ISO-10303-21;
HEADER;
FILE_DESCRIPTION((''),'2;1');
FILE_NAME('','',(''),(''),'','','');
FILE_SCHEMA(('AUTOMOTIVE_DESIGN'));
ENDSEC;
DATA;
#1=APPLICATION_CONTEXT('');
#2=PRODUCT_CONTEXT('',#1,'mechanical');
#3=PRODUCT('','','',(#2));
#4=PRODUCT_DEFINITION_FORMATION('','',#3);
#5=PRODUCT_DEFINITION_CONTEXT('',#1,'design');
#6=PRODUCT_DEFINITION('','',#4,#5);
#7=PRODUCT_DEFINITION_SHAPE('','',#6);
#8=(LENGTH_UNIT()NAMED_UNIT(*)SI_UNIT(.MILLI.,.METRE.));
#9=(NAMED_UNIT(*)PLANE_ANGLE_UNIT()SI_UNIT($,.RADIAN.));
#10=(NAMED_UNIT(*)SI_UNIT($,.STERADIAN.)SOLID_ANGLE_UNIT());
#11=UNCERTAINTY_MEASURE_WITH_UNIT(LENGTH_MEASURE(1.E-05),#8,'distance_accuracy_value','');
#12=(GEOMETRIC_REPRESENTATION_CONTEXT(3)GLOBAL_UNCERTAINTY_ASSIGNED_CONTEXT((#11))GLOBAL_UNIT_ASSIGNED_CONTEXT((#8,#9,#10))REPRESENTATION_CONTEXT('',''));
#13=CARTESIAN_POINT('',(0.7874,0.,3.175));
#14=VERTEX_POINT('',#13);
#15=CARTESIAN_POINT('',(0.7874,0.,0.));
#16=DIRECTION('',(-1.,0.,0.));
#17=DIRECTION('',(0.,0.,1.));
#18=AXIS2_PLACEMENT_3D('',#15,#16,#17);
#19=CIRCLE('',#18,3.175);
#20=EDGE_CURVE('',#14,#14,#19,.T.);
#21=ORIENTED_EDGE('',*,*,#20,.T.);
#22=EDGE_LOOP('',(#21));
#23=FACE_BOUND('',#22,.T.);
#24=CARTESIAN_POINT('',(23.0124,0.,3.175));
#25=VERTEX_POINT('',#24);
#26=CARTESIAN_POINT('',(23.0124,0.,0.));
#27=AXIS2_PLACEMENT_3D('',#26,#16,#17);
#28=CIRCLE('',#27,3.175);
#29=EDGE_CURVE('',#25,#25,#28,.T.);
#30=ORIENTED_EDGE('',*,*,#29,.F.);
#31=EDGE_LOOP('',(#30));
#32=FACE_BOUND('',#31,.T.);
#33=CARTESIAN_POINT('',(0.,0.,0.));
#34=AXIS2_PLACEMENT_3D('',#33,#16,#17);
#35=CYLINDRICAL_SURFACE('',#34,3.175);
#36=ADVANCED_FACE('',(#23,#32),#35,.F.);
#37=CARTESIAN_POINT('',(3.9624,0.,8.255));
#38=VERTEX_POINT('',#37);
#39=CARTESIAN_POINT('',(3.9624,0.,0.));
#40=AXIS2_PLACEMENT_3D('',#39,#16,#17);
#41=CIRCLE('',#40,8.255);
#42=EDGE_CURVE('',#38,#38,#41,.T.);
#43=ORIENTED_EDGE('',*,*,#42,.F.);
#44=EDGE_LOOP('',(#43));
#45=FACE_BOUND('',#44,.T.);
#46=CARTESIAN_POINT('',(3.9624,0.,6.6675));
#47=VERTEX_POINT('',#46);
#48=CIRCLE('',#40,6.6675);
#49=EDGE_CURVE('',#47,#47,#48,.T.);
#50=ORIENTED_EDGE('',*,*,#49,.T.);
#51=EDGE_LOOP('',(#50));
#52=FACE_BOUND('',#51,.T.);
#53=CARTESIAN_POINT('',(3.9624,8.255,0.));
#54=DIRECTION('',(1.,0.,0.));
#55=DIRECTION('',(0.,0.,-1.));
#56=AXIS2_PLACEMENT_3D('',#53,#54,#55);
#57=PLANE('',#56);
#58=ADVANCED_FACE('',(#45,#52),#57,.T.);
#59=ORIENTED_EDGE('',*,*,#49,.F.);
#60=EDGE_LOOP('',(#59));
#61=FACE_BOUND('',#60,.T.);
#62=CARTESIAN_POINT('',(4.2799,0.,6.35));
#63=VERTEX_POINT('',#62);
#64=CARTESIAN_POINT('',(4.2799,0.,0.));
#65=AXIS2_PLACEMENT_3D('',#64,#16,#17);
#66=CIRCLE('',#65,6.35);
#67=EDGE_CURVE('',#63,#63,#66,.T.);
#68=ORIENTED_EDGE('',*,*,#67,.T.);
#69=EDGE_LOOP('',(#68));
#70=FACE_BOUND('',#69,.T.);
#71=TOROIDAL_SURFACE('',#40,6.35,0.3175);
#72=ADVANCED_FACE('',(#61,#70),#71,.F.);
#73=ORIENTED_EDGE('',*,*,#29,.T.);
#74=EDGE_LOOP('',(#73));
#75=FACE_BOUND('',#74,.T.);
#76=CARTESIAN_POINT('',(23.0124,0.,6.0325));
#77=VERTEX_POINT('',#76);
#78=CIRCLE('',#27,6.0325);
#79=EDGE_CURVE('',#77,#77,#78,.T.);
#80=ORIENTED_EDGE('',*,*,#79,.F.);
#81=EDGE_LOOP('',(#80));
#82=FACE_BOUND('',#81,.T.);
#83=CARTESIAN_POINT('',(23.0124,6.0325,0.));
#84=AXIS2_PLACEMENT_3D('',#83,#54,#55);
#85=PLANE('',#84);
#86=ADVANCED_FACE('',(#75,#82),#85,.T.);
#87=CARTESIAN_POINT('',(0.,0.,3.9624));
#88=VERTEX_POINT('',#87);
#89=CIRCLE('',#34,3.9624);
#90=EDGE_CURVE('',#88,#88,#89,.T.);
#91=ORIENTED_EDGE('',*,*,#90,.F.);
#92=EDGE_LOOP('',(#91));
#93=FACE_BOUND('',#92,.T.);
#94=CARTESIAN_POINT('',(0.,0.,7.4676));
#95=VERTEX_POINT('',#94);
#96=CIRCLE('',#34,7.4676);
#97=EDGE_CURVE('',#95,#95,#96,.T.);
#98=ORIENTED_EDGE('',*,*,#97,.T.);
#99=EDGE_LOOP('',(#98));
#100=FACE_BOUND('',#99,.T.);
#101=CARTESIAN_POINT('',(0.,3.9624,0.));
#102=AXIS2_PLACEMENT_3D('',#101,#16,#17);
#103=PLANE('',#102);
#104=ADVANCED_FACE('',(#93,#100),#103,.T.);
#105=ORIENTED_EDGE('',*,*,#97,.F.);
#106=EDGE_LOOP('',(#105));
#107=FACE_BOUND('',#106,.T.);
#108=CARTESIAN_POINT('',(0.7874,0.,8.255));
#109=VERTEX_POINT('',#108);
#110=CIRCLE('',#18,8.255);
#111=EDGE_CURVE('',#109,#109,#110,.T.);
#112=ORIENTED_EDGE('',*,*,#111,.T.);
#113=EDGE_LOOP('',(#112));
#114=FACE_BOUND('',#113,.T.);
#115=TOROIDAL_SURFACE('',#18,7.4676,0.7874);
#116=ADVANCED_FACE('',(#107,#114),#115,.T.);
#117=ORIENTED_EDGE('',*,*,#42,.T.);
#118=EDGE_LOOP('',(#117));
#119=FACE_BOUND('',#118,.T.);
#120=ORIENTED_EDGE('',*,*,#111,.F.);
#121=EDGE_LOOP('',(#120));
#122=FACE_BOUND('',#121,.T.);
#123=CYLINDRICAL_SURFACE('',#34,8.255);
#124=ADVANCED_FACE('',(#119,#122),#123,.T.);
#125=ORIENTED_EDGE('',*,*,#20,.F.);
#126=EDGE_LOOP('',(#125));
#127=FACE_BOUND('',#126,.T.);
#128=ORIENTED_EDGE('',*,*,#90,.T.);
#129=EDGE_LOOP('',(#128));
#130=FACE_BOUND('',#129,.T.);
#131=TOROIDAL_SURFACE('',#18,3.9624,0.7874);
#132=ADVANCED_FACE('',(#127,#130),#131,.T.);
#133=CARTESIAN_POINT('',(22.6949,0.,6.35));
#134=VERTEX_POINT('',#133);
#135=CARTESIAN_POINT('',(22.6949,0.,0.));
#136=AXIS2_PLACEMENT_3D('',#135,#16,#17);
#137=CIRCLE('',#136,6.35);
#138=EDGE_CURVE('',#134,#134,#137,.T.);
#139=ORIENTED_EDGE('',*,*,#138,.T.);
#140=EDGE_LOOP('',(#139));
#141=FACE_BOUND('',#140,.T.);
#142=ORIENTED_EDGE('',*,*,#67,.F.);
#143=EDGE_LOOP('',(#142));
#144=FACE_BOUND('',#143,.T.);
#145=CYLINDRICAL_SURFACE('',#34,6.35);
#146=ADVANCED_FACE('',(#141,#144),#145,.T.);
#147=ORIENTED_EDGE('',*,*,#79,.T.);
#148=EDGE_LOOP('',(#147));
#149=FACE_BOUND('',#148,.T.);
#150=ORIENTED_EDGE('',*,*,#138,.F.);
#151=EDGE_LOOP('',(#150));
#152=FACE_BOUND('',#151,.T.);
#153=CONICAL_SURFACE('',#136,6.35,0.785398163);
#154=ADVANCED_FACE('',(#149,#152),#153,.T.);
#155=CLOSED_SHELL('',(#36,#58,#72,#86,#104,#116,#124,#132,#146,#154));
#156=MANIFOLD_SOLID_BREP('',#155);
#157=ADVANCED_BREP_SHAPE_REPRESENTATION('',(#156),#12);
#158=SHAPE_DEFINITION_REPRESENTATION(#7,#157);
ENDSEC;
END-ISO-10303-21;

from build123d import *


with BuildPart() as part:
    # Sketch1 → BaseBody (revolve)
    with BuildSketch(Plane.XY):
        with BuildLine():
            Line((0, 3.9624), (0, 7.4676))
            ThreePointArc((0, 7.4676), (0.23062412, 8.02437588), (0.7874, 8.255))
            Line((0.7874, 8.255), (3.9624, 8.255))
            Line((3.9624, 8.255), (3.9624, 6.6675))
            ThreePointArc((3.9624, 6.6675), (3.737893597, 6.125493597), (4.2799, 6.35))
            Line((4.2799, 6.35), (22.6949, 6.35))
            Line((22.6949, 6.35), (23.0124, 6.0325))
            Line((23.0124, 6.0325), (23.0124, 3.175))
            Line((23.0124, 3.175), (0.7874, 3.175))
            ThreePointArc((0.7874, 3.175), (0.23062412, 3.40562412), (0, 3.9624))
        make_face()
    revolve(axis=Axis((0, 0, 0), (1, 0, 0)))


solid = part.part
